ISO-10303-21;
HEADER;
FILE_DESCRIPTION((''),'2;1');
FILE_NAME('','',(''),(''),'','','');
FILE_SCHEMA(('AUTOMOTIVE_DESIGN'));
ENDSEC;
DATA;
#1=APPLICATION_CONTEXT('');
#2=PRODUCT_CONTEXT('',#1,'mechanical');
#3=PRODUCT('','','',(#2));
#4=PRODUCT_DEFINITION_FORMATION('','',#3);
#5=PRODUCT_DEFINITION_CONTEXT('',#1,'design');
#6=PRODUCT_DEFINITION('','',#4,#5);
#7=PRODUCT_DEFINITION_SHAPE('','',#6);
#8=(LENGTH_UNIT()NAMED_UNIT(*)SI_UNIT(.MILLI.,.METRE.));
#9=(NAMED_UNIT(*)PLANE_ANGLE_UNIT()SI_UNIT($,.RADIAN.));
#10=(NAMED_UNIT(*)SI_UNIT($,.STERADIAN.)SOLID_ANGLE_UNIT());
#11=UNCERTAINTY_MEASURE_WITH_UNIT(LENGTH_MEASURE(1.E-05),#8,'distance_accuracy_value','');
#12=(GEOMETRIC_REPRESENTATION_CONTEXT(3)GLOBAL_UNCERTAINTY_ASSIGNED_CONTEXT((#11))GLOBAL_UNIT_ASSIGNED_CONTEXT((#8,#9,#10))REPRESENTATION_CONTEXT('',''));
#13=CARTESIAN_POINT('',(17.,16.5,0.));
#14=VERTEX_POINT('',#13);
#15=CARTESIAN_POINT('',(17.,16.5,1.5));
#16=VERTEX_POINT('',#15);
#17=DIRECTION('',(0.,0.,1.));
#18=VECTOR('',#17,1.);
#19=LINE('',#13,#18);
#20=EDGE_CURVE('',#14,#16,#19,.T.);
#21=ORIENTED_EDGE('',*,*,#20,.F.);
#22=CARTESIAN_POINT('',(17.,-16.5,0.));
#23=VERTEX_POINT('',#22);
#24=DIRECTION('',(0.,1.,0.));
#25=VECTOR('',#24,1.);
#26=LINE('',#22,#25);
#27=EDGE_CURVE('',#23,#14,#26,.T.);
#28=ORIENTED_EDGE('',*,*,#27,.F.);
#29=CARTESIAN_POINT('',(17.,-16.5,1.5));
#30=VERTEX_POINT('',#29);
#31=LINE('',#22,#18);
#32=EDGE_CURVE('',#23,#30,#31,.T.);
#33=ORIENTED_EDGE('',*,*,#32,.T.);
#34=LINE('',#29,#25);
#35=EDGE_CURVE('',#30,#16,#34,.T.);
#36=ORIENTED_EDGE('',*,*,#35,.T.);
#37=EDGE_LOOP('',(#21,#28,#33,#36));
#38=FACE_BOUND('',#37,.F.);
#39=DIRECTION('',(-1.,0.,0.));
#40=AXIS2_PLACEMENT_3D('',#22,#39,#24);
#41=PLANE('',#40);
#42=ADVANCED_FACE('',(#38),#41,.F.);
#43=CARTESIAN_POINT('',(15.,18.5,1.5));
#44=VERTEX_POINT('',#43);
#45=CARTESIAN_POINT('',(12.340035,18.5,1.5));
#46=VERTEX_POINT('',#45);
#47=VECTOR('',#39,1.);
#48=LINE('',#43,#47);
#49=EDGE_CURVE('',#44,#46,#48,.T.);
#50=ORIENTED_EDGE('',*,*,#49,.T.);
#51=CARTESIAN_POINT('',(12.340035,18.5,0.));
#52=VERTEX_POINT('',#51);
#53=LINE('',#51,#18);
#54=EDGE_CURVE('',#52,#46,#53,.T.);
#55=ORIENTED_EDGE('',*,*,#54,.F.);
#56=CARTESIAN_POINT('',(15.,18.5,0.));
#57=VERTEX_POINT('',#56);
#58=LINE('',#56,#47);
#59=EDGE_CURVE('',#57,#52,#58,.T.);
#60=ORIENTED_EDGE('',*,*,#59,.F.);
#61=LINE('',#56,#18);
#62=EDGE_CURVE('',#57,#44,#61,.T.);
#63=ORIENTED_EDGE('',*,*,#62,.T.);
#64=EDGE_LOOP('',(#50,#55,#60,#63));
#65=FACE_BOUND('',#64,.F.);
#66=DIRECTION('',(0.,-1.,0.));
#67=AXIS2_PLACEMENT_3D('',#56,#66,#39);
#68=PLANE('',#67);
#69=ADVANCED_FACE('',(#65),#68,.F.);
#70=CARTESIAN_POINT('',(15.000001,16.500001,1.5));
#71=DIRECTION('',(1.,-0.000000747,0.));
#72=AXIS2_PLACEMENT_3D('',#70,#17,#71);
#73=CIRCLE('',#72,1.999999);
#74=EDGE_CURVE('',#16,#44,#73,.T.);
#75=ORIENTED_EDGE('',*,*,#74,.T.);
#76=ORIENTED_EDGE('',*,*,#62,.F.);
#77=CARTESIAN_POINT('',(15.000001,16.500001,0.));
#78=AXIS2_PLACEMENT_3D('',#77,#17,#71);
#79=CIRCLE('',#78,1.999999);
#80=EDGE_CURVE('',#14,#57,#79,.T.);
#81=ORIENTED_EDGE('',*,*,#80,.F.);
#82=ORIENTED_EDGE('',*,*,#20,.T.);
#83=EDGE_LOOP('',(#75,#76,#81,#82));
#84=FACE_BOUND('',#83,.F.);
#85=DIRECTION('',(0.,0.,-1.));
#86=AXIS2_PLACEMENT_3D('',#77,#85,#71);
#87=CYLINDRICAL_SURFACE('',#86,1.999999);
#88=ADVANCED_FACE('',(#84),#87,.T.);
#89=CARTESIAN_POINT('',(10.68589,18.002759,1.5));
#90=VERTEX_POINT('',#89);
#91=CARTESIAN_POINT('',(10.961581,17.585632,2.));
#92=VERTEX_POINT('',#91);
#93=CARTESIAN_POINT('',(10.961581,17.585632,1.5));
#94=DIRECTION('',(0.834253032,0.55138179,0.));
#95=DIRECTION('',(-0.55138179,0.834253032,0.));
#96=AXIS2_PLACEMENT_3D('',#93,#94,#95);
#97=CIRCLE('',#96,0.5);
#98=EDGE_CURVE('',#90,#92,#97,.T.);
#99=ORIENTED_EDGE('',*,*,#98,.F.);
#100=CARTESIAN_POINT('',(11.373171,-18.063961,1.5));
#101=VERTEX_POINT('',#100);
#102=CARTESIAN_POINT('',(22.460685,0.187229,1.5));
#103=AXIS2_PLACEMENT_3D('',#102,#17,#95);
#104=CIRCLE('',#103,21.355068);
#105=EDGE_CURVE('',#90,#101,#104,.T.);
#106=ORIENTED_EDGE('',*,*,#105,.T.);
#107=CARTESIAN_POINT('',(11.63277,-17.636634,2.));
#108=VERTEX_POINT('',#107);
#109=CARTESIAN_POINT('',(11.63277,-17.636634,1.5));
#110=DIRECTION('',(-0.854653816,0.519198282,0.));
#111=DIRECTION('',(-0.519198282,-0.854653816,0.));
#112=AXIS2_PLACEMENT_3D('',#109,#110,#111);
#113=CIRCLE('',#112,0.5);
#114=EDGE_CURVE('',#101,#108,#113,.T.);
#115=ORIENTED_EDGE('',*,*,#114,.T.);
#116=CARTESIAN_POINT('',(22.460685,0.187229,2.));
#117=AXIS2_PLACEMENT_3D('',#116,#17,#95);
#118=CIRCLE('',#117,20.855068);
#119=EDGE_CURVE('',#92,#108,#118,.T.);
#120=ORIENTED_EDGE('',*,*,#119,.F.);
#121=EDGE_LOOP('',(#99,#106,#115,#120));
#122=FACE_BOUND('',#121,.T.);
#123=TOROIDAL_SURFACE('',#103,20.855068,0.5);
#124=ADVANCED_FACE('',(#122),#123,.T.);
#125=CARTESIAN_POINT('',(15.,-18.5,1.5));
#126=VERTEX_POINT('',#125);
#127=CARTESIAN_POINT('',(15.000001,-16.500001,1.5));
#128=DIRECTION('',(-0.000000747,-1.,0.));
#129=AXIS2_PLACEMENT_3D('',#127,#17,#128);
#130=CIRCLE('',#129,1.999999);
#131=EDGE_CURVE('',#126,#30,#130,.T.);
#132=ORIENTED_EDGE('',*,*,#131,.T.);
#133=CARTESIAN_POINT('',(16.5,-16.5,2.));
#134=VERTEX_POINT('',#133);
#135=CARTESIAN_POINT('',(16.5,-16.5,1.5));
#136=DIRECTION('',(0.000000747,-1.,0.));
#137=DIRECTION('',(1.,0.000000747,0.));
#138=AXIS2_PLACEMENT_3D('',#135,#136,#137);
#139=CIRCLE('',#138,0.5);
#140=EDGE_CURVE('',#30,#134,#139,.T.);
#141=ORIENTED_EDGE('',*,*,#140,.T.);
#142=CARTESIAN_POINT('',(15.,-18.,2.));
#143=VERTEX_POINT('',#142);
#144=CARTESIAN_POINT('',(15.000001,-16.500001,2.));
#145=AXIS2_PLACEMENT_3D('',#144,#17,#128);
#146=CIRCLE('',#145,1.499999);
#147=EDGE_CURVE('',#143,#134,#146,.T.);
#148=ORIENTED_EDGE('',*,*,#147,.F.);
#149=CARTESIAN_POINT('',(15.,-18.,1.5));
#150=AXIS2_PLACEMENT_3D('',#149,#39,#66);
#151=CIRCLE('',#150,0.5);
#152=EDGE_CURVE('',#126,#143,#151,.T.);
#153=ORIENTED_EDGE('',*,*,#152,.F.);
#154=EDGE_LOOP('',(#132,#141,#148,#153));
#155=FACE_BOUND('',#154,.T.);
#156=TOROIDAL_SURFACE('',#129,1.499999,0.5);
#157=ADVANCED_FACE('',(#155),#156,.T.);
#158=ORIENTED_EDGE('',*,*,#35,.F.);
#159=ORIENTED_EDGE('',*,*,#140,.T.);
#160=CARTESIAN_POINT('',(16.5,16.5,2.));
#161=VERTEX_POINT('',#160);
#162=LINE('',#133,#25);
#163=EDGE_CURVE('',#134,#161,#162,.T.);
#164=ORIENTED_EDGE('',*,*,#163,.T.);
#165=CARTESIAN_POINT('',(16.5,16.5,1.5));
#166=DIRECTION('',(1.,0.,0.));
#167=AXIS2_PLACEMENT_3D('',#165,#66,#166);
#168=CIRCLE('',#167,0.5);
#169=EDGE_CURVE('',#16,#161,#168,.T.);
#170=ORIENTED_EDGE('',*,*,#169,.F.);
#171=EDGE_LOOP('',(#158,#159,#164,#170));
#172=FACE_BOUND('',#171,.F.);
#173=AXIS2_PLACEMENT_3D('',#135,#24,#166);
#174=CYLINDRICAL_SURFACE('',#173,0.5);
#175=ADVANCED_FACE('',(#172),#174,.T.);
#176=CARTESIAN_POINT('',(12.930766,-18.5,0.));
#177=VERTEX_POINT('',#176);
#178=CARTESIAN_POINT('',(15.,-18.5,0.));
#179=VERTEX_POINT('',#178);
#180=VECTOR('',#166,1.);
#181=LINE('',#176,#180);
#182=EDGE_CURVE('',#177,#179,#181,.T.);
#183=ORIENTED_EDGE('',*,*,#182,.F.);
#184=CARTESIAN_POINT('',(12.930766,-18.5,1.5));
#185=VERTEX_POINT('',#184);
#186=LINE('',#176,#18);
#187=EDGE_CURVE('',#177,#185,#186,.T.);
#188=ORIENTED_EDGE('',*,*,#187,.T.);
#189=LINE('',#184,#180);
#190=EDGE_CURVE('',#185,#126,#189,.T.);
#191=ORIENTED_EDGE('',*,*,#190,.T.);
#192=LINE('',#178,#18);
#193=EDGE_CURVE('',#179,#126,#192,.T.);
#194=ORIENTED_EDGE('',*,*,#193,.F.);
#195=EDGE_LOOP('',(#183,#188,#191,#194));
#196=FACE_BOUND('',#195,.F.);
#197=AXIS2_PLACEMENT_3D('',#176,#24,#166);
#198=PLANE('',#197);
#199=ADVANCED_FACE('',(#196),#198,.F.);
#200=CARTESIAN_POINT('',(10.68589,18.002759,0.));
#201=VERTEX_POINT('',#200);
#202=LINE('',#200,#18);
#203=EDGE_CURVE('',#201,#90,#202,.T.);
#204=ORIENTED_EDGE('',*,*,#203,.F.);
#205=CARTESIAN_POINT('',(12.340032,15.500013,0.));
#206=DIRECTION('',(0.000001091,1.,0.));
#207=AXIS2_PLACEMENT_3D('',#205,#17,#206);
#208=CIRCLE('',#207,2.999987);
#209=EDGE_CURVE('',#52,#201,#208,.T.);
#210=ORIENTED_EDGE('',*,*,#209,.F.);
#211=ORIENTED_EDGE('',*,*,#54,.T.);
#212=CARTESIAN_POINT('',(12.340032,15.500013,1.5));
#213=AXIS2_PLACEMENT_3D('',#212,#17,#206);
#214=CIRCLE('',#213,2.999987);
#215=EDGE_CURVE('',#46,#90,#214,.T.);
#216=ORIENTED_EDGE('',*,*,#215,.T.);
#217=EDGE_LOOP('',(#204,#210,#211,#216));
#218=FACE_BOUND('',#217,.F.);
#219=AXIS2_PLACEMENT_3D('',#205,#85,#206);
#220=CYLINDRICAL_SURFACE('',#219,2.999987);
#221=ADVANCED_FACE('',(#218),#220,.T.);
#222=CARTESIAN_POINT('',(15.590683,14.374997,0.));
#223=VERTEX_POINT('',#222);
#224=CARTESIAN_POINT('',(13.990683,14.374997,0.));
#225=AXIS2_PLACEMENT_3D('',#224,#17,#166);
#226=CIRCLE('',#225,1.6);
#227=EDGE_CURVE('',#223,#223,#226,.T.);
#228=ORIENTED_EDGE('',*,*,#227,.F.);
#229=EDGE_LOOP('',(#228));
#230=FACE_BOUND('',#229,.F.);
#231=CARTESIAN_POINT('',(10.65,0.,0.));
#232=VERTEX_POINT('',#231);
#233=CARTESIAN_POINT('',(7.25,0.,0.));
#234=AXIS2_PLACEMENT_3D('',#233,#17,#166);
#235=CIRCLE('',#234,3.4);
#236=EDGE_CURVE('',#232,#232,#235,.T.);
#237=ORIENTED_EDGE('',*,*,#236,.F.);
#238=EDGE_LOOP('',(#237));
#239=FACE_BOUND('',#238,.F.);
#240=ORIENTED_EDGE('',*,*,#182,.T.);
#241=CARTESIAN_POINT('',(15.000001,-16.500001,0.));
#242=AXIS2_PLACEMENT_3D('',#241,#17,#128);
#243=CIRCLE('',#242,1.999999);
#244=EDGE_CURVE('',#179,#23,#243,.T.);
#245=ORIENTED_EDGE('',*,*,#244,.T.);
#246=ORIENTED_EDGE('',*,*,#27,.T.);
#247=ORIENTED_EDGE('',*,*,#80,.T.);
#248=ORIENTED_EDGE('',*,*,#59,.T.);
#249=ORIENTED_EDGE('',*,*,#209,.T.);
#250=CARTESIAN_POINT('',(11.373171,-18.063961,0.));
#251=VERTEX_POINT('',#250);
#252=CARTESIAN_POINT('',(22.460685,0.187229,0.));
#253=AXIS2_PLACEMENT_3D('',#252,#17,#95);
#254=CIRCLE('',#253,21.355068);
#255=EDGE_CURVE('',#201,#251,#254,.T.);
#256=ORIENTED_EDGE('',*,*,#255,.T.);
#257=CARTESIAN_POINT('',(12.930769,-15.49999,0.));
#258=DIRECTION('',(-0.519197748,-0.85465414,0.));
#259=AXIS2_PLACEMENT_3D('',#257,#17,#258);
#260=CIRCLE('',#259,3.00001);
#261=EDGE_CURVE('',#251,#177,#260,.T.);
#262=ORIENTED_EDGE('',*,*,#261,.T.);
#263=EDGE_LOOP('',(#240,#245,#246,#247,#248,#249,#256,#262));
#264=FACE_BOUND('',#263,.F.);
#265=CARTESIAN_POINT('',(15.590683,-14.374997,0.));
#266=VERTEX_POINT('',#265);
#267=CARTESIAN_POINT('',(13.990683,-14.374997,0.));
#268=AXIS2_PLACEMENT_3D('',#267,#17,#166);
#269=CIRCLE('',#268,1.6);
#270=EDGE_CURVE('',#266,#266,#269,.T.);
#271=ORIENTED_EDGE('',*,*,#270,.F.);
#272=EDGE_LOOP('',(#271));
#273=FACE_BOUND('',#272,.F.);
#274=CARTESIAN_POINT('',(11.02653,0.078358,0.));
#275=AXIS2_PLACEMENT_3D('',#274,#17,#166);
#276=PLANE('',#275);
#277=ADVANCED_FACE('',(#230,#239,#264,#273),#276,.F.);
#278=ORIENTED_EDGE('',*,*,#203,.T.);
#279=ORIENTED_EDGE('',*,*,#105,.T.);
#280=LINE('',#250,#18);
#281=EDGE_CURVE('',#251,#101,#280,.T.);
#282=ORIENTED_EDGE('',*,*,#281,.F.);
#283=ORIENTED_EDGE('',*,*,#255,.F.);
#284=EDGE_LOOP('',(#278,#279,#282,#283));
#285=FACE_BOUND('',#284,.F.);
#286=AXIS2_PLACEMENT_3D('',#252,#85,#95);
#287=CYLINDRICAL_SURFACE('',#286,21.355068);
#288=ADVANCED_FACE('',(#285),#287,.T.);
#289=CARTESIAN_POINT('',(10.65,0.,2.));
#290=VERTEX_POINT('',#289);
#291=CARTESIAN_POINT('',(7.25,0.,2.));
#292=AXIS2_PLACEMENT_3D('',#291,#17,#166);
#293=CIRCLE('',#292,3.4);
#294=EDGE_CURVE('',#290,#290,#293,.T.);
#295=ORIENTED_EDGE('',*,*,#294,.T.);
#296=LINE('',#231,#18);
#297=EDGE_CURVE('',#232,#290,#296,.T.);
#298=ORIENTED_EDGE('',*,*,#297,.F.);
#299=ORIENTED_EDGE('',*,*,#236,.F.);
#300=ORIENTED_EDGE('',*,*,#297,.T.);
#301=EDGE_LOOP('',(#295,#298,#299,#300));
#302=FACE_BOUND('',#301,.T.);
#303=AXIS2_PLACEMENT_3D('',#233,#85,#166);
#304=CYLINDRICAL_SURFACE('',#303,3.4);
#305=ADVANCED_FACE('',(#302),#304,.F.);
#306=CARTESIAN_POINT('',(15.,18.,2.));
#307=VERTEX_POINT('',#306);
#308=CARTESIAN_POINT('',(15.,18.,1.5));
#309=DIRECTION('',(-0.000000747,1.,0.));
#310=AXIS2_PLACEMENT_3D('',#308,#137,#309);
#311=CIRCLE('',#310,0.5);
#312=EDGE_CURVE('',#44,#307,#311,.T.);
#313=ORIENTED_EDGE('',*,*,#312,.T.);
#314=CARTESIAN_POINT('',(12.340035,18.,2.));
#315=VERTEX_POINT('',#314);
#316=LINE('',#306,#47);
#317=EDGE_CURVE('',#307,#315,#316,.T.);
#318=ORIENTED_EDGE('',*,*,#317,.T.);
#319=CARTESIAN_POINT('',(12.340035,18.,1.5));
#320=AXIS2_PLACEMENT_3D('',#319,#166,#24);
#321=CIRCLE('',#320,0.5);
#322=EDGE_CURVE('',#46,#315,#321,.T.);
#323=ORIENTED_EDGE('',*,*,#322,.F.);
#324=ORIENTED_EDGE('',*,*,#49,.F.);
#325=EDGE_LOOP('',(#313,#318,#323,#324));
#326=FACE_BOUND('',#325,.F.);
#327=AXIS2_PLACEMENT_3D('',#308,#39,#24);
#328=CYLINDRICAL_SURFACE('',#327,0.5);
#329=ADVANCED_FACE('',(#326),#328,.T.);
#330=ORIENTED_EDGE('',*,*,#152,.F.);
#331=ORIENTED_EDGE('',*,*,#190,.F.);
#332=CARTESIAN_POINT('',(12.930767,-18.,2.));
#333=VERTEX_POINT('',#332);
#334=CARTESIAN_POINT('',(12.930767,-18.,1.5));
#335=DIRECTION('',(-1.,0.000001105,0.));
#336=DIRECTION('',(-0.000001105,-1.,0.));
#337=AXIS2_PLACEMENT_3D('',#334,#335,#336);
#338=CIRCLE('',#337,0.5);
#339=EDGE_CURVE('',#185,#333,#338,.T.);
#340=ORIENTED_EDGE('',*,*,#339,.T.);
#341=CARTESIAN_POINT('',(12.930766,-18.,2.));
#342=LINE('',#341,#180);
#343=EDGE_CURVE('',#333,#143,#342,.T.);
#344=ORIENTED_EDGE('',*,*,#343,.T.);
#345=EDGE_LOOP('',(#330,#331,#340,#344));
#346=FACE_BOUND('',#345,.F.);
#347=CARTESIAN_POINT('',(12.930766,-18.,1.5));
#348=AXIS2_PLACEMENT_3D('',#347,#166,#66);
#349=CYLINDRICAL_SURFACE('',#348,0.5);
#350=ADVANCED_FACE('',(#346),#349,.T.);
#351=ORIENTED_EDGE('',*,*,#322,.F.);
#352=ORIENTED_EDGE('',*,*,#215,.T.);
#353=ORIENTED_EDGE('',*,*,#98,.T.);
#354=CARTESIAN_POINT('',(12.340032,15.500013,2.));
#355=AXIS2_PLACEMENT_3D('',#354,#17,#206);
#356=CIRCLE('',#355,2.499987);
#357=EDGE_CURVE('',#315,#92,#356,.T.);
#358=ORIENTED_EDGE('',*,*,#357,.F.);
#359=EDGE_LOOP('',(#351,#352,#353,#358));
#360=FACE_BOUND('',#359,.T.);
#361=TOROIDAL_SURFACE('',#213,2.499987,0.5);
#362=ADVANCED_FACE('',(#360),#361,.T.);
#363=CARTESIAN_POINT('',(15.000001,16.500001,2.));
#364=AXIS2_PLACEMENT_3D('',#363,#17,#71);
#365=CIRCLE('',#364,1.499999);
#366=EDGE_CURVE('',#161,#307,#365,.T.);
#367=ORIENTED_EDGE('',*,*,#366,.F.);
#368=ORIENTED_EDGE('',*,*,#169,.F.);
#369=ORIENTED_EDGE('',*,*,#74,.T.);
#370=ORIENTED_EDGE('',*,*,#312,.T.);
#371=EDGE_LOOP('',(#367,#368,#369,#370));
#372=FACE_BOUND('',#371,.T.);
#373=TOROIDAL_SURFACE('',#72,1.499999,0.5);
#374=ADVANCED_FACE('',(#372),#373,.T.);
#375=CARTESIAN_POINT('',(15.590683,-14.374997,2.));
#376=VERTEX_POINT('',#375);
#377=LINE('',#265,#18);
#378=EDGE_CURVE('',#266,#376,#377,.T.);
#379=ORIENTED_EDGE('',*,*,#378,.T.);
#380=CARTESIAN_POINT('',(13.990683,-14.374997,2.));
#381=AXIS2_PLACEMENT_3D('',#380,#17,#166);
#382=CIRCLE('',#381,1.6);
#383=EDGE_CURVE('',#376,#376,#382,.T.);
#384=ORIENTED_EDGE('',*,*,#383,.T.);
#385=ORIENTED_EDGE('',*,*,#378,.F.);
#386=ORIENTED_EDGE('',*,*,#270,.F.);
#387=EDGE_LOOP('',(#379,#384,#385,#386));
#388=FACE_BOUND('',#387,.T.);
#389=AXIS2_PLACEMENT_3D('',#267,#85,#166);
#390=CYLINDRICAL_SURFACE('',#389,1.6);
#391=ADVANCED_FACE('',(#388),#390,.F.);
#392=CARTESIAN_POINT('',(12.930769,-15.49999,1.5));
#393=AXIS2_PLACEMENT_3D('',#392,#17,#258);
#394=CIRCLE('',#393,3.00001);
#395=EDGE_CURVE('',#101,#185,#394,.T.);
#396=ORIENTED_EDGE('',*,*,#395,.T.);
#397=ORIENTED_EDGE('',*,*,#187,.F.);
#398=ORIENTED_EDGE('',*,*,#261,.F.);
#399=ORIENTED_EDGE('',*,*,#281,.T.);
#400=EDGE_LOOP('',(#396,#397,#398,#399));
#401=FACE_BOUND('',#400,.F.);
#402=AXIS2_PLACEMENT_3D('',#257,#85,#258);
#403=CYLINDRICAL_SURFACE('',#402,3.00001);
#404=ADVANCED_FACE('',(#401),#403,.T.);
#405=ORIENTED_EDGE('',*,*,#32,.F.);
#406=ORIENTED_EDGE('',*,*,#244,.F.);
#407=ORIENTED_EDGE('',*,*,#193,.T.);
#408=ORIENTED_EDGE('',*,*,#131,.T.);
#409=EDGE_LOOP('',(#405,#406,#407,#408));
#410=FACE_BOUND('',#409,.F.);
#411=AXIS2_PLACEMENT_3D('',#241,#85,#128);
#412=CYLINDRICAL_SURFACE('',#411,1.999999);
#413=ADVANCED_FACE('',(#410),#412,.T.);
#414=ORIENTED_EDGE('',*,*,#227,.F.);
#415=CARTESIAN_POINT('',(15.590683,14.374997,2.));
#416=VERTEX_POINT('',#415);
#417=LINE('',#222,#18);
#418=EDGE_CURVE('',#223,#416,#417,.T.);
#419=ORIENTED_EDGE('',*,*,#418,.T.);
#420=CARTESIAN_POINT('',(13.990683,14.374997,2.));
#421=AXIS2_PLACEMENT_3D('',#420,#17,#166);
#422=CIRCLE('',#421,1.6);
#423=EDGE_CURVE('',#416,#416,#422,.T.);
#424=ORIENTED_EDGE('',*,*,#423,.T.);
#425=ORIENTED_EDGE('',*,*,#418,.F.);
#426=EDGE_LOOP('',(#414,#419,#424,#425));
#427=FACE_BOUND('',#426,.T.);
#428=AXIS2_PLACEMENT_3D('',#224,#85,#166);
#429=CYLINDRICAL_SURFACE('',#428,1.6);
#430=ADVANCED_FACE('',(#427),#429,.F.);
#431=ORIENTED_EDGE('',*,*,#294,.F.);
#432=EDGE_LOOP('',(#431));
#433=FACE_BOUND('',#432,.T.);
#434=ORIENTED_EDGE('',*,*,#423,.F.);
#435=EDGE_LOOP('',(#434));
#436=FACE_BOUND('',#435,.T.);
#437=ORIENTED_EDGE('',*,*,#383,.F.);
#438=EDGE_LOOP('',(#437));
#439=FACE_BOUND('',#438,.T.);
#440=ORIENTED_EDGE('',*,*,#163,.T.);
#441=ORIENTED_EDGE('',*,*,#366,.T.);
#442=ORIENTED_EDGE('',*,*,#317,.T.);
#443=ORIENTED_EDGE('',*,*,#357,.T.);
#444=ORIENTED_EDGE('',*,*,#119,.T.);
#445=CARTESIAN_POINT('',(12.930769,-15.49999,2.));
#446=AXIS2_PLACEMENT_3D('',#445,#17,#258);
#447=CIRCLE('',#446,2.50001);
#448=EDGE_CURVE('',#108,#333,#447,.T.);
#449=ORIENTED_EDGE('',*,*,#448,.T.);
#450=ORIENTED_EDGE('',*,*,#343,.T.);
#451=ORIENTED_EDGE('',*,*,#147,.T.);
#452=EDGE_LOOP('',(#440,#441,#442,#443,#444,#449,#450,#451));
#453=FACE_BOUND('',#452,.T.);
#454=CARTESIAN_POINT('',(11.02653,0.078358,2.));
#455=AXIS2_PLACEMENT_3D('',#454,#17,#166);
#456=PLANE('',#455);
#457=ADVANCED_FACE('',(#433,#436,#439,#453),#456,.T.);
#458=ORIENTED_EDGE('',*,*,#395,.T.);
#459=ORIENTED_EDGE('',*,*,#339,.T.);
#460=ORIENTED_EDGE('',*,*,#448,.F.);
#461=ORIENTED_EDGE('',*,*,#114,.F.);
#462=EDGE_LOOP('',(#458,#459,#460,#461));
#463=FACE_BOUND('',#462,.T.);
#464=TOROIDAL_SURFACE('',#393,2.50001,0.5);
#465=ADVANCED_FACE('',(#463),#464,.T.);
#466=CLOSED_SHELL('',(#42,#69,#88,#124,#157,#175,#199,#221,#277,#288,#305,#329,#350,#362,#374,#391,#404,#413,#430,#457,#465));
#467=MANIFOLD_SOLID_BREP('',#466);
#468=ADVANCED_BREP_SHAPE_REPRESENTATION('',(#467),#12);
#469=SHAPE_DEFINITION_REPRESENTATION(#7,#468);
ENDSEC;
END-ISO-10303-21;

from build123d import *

# Parameters (mm, degrees)
F0_R     = 1.6
F0_R_2   = 3.4
F1_DEPTH = 2
F2_R     = 0.5


with BuildPart() as f1:
    # F0 (on Top) → F1 (new body)
    with BuildSketch(Plane.XY):
        with BuildLine():
            ThreePointArc((11.373171, -18.063961), (12.122028, -18.388934), (12.930766, -18.5))
            Line((12.930766, -18.5), (15, -18.5))
            ThreePointArc((15, -18.5), (16.414214, -17.914214), (17, -16.5))
            Line((17, -16.5), (17, 16.5))
            ThreePointArc((17, 16.5), (16.414214, 17.914214), (15, 18.5))
            Line((15, 18.5), (12.340035, 18.5))
            ThreePointArc((12.340035, 18.5), (11.476402, 18.373002), (10.68589, 18.002759))
            ThreePointArc((10.68589, 18.002759), (1.109494, -0.219636), (11.373171, -18.063961))
        make_face()
        with Locations((13.990683, -14.374997)):
            Circle(F0_R, mode=Mode.SUBTRACT)
        with Locations((7.25, 0)):
            Circle(F0_R_2, mode=Mode.SUBTRACT)
        with Locations((13.990683, 14.374997)):
            Circle(F0_R, mode=Mode.SUBTRACT)
    extrude(amount=F1_DEPTH)

    # F2
    f2_edges = [f1.edges().sort_by_distance(p)[0] for p in [
        (1.109494, -0.219636, 2),
    ]]
    fillet(f2_edges, radius=F2_R)


solid = f1.part
